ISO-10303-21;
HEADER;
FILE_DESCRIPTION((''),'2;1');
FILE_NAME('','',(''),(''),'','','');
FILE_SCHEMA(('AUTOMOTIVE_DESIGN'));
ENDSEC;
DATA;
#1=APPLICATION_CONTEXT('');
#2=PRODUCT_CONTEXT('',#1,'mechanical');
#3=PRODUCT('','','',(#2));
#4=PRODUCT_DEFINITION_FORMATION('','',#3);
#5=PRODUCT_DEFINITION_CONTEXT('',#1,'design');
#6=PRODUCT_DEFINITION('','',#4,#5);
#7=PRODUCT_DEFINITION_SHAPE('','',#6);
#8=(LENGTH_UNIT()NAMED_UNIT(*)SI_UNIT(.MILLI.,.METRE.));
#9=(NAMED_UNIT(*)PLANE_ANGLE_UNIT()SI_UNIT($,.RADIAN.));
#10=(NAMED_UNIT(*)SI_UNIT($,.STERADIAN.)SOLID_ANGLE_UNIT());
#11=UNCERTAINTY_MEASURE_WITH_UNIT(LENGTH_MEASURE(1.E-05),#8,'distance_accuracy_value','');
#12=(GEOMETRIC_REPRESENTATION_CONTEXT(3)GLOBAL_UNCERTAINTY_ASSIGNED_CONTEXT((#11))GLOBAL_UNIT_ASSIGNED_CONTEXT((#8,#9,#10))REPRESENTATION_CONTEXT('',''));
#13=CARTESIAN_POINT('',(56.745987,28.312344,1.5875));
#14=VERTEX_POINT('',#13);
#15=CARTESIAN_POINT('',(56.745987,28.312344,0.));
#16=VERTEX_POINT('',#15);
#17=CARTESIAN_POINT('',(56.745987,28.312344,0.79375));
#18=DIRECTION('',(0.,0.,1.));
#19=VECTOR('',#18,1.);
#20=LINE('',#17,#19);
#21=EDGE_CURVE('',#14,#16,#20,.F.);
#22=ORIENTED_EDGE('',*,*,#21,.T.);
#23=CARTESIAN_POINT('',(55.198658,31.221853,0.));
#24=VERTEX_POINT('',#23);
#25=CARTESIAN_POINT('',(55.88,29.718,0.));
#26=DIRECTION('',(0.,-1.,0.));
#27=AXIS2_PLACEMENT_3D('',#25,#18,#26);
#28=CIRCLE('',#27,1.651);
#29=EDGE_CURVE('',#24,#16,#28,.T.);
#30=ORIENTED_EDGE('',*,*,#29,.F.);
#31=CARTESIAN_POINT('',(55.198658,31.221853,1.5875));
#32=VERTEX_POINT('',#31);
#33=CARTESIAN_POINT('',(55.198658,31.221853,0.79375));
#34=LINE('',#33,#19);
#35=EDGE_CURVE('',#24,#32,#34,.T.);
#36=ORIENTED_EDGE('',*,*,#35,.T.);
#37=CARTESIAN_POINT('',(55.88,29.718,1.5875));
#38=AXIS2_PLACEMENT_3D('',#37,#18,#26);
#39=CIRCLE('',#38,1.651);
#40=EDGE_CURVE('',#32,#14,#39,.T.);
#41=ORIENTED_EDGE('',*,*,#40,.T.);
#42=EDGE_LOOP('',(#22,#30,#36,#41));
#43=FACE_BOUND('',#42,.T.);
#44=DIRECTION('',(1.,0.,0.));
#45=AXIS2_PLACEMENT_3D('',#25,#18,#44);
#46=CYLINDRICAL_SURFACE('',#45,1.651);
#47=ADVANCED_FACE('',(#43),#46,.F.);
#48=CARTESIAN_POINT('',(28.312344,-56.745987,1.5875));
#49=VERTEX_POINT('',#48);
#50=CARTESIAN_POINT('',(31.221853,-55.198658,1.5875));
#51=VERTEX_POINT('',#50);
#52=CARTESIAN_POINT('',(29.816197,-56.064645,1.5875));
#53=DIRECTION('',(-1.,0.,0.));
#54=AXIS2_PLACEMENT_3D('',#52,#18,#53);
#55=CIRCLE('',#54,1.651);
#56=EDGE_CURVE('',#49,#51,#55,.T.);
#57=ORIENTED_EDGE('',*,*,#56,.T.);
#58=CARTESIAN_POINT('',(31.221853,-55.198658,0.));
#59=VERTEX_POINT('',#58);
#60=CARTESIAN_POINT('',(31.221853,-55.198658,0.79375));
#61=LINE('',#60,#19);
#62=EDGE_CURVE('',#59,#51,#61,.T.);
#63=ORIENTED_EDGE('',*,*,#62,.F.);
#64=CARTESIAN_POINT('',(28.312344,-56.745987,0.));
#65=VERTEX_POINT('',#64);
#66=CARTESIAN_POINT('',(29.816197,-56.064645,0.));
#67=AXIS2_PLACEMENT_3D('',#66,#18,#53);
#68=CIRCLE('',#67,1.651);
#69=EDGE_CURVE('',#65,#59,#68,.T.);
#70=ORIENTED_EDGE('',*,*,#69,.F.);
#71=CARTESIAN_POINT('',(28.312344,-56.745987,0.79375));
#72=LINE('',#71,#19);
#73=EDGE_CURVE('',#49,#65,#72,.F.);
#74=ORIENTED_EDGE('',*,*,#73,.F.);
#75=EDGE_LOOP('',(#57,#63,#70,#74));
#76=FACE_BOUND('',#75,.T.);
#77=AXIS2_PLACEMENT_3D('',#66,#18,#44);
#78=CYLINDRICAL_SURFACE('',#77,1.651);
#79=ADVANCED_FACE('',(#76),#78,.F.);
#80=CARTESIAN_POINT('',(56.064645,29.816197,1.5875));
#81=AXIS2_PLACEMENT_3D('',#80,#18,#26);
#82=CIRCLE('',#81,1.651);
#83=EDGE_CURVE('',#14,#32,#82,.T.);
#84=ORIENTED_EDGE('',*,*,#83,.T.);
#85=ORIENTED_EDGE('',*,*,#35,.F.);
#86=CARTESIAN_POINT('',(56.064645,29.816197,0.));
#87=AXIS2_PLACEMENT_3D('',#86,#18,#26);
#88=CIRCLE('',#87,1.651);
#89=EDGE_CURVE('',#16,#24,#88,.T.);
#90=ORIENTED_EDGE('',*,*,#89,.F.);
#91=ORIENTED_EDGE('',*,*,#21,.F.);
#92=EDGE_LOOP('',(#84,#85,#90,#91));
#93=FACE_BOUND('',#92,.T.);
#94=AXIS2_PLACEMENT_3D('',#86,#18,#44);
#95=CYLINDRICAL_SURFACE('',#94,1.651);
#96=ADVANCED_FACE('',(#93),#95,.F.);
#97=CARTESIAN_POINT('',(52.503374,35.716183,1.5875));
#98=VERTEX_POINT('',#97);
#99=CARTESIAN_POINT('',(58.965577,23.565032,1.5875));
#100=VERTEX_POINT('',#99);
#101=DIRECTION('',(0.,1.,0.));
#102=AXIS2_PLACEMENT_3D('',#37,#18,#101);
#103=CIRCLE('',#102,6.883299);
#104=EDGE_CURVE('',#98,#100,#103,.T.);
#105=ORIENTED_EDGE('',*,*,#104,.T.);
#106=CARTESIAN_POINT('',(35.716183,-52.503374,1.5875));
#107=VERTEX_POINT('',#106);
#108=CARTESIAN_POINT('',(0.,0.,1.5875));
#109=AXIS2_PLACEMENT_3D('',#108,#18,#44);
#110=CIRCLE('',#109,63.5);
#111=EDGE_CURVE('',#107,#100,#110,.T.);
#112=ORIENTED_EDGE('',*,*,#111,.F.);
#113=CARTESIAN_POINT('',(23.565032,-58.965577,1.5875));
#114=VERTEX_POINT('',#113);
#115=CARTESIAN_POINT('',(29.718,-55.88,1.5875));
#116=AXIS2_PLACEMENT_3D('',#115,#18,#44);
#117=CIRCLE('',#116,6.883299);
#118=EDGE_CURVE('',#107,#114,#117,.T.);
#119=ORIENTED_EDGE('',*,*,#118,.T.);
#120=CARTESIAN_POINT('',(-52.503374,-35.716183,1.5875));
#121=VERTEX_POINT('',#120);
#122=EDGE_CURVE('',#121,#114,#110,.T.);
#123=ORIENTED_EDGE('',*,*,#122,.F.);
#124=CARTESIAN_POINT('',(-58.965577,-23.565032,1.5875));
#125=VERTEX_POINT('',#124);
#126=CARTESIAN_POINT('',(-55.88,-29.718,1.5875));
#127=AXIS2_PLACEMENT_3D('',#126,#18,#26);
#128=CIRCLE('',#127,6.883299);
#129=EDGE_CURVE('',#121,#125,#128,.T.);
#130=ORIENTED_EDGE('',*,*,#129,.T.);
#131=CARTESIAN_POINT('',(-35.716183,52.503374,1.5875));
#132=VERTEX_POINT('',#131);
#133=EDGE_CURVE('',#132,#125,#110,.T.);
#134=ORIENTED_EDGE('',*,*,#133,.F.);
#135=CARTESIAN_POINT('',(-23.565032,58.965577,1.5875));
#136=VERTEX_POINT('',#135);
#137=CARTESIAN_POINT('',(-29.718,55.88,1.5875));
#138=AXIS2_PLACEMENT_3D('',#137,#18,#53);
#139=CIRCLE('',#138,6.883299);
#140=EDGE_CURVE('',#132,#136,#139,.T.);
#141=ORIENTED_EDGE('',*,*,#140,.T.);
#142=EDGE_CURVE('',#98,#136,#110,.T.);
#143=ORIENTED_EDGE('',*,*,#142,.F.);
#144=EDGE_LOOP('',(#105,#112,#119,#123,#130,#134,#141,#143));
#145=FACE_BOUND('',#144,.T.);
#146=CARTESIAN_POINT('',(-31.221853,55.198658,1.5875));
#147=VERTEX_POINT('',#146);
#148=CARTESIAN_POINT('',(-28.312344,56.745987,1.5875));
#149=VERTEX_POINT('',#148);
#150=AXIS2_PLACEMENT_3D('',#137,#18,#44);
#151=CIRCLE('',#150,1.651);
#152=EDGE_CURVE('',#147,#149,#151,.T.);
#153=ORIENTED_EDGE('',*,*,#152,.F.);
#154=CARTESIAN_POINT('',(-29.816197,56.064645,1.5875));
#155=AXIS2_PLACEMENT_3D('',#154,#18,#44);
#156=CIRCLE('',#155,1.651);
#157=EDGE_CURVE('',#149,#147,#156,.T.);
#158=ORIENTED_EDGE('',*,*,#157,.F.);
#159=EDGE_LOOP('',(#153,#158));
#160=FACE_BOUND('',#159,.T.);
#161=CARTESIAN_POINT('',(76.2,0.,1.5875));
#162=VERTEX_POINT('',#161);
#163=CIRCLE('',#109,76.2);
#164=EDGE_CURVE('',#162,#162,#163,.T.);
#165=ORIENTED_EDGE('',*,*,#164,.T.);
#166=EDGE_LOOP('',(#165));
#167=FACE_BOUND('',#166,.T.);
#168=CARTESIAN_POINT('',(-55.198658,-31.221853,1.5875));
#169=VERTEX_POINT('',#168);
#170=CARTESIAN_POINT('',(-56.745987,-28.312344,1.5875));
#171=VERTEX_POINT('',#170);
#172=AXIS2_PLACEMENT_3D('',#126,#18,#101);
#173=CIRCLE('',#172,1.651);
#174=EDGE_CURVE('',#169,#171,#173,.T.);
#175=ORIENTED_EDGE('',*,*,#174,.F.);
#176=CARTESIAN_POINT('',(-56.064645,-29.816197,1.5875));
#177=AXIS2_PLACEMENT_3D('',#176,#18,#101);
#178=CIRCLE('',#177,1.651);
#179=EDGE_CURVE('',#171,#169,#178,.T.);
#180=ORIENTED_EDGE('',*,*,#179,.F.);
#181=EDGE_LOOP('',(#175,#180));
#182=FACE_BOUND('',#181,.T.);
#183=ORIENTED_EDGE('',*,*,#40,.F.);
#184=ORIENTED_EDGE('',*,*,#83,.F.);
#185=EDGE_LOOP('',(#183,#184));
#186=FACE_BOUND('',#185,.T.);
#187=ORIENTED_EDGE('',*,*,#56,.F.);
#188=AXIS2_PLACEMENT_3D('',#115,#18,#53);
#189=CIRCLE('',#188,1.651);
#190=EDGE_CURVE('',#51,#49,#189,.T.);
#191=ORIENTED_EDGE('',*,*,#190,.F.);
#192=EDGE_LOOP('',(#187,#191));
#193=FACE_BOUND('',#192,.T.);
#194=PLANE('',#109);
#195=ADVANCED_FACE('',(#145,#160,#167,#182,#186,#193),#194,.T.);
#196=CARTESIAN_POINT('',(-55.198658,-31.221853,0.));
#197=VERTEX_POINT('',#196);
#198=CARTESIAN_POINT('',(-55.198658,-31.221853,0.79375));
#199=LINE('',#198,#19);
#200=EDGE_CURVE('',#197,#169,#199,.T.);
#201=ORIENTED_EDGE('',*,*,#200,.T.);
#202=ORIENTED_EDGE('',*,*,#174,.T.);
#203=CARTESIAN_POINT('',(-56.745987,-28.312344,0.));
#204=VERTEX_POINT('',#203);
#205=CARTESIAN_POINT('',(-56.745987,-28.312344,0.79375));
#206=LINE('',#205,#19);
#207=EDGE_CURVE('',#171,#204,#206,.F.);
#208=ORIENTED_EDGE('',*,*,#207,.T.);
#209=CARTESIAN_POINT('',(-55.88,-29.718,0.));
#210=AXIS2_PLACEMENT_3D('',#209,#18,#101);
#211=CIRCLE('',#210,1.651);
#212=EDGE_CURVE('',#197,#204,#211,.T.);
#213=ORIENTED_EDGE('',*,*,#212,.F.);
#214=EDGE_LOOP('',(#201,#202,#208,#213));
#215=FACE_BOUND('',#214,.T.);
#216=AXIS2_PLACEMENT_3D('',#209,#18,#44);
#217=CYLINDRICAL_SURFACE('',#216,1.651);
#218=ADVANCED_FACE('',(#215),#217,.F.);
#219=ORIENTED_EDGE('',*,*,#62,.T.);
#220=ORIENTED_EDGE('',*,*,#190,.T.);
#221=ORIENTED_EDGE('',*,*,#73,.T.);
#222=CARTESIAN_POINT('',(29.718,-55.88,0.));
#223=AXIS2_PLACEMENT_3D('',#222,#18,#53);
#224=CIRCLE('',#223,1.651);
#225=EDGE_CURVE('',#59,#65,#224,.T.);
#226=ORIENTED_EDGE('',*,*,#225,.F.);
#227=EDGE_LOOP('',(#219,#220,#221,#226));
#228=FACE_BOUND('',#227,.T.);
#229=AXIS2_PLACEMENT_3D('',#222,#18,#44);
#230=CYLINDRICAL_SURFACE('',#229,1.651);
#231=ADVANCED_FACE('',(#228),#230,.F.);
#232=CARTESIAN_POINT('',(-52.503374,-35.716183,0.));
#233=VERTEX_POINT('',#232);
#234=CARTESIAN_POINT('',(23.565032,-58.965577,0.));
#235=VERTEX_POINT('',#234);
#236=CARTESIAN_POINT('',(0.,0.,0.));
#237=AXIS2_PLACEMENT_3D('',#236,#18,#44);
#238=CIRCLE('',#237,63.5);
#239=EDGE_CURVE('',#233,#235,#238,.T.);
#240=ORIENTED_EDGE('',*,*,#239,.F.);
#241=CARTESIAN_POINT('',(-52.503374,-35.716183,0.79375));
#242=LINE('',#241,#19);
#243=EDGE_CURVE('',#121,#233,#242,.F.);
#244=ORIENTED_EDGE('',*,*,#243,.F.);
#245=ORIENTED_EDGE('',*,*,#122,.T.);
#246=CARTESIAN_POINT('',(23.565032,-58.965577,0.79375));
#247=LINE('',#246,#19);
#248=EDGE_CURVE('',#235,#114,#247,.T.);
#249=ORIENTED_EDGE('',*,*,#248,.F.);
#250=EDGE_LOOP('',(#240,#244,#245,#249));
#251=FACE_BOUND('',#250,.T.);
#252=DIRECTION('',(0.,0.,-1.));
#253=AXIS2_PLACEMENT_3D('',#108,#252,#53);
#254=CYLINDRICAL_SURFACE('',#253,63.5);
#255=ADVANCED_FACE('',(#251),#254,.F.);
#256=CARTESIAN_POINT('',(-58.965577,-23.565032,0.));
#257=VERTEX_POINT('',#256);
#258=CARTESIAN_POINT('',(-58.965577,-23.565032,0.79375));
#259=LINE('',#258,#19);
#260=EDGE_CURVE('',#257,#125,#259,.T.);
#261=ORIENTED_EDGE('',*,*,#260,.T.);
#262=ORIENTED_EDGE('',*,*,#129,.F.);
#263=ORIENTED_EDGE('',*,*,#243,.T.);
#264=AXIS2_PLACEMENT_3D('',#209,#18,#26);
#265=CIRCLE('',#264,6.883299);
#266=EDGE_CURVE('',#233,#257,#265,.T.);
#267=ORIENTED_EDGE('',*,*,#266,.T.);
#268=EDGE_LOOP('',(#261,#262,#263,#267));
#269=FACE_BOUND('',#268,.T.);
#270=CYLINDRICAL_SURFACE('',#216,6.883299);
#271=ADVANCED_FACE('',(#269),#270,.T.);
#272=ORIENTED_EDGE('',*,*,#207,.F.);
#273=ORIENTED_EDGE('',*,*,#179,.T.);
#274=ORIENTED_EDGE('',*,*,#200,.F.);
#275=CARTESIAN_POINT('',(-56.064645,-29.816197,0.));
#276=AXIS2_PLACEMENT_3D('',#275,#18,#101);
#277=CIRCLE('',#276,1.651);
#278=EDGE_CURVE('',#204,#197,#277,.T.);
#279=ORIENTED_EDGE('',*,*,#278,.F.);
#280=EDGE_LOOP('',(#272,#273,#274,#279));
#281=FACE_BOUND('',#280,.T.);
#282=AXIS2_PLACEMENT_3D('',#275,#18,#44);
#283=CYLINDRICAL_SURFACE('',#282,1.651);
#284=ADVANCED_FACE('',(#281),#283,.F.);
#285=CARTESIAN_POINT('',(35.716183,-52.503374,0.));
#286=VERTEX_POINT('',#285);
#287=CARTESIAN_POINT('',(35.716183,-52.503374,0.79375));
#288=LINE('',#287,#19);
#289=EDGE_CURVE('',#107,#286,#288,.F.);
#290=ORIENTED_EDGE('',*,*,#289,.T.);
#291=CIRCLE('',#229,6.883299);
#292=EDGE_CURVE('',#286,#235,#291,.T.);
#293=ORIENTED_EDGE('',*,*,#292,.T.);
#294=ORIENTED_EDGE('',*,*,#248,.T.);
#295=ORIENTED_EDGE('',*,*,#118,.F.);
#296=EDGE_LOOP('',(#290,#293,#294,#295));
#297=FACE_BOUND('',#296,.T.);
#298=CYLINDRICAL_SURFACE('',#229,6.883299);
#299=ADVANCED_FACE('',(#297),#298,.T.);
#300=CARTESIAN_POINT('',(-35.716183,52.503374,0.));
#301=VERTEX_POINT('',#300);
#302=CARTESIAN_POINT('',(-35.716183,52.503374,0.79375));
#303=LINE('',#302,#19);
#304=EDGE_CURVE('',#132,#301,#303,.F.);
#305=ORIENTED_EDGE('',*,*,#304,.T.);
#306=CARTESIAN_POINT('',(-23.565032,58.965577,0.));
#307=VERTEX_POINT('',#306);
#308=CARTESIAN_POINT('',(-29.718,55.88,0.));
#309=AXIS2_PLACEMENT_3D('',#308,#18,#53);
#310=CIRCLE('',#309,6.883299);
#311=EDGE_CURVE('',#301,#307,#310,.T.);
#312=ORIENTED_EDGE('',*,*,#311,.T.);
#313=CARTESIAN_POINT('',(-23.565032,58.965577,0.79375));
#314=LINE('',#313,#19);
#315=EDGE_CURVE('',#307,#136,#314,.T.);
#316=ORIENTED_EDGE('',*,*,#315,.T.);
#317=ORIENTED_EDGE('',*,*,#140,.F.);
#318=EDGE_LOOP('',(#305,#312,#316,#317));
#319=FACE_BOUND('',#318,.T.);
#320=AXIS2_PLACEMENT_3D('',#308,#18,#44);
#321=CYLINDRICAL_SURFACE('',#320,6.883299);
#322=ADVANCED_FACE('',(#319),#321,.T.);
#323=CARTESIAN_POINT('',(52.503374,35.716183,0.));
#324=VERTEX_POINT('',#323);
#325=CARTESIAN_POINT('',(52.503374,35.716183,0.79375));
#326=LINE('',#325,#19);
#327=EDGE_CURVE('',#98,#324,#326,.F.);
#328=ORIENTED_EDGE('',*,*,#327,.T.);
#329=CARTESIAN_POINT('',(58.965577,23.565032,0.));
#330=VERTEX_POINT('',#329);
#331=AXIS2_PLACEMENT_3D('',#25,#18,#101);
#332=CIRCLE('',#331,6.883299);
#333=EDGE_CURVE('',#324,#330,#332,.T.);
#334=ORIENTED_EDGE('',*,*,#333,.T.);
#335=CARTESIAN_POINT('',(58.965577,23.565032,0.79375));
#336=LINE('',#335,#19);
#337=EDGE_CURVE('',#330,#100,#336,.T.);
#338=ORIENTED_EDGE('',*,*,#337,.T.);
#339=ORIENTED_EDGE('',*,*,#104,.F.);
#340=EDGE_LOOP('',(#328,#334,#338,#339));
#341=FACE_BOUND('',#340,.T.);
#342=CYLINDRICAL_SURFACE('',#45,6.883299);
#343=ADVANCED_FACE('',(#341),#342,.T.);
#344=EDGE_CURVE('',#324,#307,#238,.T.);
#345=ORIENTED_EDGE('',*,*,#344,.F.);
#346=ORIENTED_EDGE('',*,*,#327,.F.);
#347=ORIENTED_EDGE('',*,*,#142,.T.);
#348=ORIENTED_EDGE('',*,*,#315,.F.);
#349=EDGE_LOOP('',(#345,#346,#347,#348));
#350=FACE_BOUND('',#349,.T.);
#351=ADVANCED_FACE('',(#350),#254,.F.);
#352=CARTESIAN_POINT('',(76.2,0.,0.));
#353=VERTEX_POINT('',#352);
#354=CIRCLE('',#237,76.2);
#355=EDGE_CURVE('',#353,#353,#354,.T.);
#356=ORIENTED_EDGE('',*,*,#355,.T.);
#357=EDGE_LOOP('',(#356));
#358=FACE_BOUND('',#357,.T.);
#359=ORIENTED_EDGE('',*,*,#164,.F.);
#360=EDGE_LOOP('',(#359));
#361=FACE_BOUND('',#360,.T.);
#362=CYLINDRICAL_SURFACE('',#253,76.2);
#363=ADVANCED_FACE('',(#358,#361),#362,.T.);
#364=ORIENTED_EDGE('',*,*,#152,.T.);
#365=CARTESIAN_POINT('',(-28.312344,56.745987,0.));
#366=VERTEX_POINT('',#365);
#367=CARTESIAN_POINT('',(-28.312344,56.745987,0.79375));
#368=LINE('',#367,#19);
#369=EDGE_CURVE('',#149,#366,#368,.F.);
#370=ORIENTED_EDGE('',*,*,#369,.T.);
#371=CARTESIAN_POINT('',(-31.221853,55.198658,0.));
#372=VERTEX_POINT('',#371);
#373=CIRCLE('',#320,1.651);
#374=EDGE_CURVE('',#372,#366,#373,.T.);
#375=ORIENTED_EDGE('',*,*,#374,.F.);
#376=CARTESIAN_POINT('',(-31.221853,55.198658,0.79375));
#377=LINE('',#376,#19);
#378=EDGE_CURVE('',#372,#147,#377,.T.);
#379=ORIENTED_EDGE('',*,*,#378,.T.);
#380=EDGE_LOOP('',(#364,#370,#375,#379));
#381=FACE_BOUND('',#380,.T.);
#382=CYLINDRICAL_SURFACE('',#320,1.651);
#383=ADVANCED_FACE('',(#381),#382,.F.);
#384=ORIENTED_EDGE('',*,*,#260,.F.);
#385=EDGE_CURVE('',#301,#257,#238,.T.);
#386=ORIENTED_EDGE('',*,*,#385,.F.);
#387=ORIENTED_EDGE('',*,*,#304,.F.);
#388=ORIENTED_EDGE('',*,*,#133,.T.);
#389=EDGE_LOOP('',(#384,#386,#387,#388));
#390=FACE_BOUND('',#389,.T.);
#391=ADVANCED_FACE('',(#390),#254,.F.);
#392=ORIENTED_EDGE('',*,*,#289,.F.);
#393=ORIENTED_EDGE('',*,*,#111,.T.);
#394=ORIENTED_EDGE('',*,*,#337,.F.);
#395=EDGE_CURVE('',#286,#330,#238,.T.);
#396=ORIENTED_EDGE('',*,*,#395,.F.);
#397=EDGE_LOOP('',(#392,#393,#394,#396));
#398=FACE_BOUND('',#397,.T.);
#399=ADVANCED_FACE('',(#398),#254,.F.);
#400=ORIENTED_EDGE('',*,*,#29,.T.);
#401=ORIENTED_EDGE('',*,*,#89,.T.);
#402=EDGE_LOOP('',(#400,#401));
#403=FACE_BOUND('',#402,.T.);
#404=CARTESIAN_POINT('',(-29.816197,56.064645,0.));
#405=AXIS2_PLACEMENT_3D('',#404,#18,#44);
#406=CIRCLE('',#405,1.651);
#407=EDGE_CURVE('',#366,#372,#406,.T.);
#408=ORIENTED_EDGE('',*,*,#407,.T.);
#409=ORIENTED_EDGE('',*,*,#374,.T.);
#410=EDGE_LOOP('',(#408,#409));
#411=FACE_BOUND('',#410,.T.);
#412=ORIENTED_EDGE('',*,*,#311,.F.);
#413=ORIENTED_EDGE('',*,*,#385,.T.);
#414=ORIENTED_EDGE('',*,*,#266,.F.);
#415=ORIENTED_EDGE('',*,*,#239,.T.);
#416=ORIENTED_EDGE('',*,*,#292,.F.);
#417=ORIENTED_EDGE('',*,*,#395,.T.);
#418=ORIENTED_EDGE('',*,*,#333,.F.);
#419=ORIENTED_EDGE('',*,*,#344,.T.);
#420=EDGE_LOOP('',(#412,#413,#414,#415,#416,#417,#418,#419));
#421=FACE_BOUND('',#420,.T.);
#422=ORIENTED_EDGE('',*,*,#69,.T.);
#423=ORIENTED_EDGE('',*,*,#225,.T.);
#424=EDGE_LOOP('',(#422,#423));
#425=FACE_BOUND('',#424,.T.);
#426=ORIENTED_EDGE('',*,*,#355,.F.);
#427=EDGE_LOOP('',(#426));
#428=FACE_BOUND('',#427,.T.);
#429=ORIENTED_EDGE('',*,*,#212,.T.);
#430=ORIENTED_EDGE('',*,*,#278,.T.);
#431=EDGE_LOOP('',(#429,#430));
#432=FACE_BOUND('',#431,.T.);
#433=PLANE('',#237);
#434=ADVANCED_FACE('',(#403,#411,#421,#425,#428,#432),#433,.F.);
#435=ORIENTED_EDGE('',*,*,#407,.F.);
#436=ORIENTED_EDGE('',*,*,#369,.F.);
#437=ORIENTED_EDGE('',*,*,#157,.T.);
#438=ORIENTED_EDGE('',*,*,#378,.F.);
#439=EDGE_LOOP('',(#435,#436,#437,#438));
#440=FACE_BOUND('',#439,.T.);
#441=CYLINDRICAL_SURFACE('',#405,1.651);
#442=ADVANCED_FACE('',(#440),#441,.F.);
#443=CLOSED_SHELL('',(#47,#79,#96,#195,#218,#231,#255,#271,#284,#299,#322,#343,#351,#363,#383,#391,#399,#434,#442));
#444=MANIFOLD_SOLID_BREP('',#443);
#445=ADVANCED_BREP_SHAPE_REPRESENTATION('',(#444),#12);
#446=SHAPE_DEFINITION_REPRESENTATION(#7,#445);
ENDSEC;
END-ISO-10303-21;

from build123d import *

# Parameters (mm, degrees)
SKETCH1_R           = 76.2
SKETCH1_R_2         = 63.5
BOSS_EXTRUDE1_DEPTH = 1.5875
SKETCH2_R           = 1.651
BOSS_EXTRUDE2_DEPTH = 1.5875
SKETCH4_R           = 1.651
CUT_EXTRUDE2_DEPTH  = 1.5875
CIRPATTERN2_COUNT   = 4
CIRPATTERN3_COUNT   = 4


with BuildPart() as part:
    # Sketch1 → Boss-Extrude1 (new body)
    with BuildSketch(Plane.XY):
        Circle(SKETCH1_R)
        Circle(SKETCH1_R_2, mode=Mode.SUBTRACT)
    extrude(amount=BOSS_EXTRUDE1_DEPTH)

    # Sketch2 → Boss-Extrude2 (add)
    with BuildSketch(Plane.XY.offset(1.5875)):
        with BuildLine():
            Line((-36.496083221, 54.681087122), (-25.299953382, 61.158320597))
            ThreePointArc((-25.299953382, 61.158320597), (-26.271105519, 49.921919547), (-36.496083221, 54.681087122))
        make_face()
        with Locations((-29.718, 55.88)):
            Circle(SKETCH2_R, mode=Mode.SUBTRACT)
    boss_extrude2 = extrude(amount=-BOSS_EXTRUDE2_DEPTH)

    # Sketch4 → Cut-Extrude2 (cut)
    with BuildSketch(Plane.XY.offset(1.5875)):
        with Locations((-29.81619736, 56.064644608)):
            Circle(SKETCH4_R)
    cut_extrude2 = extrude(amount=-CUT_EXTRUDE2_DEPTH, mode=Mode.SUBTRACT)

    # CirPattern2: Boss-Extrude2 ×4 about axis
    cirpattern2_axis = Axis((0, 0, 0), (0, 0, 1))
    for i in range(1, CIRPATTERN2_COUNT):
        add(boss_extrude2.rotate(cirpattern2_axis, i * 360 / CIRPATTERN2_COUNT))

    # CirPattern3: Cut-Extrude2 ×4 about axis
    cirpattern3_axis = Axis((0, 0, 0), (0, 0, 1))
    for i in range(1, CIRPATTERN3_COUNT):
        add(cut_extrude2.rotate(cirpattern3_axis, i * 360 / CIRPATTERN3_COUNT), mode=Mode.SUBTRACT)


solid = part.part
